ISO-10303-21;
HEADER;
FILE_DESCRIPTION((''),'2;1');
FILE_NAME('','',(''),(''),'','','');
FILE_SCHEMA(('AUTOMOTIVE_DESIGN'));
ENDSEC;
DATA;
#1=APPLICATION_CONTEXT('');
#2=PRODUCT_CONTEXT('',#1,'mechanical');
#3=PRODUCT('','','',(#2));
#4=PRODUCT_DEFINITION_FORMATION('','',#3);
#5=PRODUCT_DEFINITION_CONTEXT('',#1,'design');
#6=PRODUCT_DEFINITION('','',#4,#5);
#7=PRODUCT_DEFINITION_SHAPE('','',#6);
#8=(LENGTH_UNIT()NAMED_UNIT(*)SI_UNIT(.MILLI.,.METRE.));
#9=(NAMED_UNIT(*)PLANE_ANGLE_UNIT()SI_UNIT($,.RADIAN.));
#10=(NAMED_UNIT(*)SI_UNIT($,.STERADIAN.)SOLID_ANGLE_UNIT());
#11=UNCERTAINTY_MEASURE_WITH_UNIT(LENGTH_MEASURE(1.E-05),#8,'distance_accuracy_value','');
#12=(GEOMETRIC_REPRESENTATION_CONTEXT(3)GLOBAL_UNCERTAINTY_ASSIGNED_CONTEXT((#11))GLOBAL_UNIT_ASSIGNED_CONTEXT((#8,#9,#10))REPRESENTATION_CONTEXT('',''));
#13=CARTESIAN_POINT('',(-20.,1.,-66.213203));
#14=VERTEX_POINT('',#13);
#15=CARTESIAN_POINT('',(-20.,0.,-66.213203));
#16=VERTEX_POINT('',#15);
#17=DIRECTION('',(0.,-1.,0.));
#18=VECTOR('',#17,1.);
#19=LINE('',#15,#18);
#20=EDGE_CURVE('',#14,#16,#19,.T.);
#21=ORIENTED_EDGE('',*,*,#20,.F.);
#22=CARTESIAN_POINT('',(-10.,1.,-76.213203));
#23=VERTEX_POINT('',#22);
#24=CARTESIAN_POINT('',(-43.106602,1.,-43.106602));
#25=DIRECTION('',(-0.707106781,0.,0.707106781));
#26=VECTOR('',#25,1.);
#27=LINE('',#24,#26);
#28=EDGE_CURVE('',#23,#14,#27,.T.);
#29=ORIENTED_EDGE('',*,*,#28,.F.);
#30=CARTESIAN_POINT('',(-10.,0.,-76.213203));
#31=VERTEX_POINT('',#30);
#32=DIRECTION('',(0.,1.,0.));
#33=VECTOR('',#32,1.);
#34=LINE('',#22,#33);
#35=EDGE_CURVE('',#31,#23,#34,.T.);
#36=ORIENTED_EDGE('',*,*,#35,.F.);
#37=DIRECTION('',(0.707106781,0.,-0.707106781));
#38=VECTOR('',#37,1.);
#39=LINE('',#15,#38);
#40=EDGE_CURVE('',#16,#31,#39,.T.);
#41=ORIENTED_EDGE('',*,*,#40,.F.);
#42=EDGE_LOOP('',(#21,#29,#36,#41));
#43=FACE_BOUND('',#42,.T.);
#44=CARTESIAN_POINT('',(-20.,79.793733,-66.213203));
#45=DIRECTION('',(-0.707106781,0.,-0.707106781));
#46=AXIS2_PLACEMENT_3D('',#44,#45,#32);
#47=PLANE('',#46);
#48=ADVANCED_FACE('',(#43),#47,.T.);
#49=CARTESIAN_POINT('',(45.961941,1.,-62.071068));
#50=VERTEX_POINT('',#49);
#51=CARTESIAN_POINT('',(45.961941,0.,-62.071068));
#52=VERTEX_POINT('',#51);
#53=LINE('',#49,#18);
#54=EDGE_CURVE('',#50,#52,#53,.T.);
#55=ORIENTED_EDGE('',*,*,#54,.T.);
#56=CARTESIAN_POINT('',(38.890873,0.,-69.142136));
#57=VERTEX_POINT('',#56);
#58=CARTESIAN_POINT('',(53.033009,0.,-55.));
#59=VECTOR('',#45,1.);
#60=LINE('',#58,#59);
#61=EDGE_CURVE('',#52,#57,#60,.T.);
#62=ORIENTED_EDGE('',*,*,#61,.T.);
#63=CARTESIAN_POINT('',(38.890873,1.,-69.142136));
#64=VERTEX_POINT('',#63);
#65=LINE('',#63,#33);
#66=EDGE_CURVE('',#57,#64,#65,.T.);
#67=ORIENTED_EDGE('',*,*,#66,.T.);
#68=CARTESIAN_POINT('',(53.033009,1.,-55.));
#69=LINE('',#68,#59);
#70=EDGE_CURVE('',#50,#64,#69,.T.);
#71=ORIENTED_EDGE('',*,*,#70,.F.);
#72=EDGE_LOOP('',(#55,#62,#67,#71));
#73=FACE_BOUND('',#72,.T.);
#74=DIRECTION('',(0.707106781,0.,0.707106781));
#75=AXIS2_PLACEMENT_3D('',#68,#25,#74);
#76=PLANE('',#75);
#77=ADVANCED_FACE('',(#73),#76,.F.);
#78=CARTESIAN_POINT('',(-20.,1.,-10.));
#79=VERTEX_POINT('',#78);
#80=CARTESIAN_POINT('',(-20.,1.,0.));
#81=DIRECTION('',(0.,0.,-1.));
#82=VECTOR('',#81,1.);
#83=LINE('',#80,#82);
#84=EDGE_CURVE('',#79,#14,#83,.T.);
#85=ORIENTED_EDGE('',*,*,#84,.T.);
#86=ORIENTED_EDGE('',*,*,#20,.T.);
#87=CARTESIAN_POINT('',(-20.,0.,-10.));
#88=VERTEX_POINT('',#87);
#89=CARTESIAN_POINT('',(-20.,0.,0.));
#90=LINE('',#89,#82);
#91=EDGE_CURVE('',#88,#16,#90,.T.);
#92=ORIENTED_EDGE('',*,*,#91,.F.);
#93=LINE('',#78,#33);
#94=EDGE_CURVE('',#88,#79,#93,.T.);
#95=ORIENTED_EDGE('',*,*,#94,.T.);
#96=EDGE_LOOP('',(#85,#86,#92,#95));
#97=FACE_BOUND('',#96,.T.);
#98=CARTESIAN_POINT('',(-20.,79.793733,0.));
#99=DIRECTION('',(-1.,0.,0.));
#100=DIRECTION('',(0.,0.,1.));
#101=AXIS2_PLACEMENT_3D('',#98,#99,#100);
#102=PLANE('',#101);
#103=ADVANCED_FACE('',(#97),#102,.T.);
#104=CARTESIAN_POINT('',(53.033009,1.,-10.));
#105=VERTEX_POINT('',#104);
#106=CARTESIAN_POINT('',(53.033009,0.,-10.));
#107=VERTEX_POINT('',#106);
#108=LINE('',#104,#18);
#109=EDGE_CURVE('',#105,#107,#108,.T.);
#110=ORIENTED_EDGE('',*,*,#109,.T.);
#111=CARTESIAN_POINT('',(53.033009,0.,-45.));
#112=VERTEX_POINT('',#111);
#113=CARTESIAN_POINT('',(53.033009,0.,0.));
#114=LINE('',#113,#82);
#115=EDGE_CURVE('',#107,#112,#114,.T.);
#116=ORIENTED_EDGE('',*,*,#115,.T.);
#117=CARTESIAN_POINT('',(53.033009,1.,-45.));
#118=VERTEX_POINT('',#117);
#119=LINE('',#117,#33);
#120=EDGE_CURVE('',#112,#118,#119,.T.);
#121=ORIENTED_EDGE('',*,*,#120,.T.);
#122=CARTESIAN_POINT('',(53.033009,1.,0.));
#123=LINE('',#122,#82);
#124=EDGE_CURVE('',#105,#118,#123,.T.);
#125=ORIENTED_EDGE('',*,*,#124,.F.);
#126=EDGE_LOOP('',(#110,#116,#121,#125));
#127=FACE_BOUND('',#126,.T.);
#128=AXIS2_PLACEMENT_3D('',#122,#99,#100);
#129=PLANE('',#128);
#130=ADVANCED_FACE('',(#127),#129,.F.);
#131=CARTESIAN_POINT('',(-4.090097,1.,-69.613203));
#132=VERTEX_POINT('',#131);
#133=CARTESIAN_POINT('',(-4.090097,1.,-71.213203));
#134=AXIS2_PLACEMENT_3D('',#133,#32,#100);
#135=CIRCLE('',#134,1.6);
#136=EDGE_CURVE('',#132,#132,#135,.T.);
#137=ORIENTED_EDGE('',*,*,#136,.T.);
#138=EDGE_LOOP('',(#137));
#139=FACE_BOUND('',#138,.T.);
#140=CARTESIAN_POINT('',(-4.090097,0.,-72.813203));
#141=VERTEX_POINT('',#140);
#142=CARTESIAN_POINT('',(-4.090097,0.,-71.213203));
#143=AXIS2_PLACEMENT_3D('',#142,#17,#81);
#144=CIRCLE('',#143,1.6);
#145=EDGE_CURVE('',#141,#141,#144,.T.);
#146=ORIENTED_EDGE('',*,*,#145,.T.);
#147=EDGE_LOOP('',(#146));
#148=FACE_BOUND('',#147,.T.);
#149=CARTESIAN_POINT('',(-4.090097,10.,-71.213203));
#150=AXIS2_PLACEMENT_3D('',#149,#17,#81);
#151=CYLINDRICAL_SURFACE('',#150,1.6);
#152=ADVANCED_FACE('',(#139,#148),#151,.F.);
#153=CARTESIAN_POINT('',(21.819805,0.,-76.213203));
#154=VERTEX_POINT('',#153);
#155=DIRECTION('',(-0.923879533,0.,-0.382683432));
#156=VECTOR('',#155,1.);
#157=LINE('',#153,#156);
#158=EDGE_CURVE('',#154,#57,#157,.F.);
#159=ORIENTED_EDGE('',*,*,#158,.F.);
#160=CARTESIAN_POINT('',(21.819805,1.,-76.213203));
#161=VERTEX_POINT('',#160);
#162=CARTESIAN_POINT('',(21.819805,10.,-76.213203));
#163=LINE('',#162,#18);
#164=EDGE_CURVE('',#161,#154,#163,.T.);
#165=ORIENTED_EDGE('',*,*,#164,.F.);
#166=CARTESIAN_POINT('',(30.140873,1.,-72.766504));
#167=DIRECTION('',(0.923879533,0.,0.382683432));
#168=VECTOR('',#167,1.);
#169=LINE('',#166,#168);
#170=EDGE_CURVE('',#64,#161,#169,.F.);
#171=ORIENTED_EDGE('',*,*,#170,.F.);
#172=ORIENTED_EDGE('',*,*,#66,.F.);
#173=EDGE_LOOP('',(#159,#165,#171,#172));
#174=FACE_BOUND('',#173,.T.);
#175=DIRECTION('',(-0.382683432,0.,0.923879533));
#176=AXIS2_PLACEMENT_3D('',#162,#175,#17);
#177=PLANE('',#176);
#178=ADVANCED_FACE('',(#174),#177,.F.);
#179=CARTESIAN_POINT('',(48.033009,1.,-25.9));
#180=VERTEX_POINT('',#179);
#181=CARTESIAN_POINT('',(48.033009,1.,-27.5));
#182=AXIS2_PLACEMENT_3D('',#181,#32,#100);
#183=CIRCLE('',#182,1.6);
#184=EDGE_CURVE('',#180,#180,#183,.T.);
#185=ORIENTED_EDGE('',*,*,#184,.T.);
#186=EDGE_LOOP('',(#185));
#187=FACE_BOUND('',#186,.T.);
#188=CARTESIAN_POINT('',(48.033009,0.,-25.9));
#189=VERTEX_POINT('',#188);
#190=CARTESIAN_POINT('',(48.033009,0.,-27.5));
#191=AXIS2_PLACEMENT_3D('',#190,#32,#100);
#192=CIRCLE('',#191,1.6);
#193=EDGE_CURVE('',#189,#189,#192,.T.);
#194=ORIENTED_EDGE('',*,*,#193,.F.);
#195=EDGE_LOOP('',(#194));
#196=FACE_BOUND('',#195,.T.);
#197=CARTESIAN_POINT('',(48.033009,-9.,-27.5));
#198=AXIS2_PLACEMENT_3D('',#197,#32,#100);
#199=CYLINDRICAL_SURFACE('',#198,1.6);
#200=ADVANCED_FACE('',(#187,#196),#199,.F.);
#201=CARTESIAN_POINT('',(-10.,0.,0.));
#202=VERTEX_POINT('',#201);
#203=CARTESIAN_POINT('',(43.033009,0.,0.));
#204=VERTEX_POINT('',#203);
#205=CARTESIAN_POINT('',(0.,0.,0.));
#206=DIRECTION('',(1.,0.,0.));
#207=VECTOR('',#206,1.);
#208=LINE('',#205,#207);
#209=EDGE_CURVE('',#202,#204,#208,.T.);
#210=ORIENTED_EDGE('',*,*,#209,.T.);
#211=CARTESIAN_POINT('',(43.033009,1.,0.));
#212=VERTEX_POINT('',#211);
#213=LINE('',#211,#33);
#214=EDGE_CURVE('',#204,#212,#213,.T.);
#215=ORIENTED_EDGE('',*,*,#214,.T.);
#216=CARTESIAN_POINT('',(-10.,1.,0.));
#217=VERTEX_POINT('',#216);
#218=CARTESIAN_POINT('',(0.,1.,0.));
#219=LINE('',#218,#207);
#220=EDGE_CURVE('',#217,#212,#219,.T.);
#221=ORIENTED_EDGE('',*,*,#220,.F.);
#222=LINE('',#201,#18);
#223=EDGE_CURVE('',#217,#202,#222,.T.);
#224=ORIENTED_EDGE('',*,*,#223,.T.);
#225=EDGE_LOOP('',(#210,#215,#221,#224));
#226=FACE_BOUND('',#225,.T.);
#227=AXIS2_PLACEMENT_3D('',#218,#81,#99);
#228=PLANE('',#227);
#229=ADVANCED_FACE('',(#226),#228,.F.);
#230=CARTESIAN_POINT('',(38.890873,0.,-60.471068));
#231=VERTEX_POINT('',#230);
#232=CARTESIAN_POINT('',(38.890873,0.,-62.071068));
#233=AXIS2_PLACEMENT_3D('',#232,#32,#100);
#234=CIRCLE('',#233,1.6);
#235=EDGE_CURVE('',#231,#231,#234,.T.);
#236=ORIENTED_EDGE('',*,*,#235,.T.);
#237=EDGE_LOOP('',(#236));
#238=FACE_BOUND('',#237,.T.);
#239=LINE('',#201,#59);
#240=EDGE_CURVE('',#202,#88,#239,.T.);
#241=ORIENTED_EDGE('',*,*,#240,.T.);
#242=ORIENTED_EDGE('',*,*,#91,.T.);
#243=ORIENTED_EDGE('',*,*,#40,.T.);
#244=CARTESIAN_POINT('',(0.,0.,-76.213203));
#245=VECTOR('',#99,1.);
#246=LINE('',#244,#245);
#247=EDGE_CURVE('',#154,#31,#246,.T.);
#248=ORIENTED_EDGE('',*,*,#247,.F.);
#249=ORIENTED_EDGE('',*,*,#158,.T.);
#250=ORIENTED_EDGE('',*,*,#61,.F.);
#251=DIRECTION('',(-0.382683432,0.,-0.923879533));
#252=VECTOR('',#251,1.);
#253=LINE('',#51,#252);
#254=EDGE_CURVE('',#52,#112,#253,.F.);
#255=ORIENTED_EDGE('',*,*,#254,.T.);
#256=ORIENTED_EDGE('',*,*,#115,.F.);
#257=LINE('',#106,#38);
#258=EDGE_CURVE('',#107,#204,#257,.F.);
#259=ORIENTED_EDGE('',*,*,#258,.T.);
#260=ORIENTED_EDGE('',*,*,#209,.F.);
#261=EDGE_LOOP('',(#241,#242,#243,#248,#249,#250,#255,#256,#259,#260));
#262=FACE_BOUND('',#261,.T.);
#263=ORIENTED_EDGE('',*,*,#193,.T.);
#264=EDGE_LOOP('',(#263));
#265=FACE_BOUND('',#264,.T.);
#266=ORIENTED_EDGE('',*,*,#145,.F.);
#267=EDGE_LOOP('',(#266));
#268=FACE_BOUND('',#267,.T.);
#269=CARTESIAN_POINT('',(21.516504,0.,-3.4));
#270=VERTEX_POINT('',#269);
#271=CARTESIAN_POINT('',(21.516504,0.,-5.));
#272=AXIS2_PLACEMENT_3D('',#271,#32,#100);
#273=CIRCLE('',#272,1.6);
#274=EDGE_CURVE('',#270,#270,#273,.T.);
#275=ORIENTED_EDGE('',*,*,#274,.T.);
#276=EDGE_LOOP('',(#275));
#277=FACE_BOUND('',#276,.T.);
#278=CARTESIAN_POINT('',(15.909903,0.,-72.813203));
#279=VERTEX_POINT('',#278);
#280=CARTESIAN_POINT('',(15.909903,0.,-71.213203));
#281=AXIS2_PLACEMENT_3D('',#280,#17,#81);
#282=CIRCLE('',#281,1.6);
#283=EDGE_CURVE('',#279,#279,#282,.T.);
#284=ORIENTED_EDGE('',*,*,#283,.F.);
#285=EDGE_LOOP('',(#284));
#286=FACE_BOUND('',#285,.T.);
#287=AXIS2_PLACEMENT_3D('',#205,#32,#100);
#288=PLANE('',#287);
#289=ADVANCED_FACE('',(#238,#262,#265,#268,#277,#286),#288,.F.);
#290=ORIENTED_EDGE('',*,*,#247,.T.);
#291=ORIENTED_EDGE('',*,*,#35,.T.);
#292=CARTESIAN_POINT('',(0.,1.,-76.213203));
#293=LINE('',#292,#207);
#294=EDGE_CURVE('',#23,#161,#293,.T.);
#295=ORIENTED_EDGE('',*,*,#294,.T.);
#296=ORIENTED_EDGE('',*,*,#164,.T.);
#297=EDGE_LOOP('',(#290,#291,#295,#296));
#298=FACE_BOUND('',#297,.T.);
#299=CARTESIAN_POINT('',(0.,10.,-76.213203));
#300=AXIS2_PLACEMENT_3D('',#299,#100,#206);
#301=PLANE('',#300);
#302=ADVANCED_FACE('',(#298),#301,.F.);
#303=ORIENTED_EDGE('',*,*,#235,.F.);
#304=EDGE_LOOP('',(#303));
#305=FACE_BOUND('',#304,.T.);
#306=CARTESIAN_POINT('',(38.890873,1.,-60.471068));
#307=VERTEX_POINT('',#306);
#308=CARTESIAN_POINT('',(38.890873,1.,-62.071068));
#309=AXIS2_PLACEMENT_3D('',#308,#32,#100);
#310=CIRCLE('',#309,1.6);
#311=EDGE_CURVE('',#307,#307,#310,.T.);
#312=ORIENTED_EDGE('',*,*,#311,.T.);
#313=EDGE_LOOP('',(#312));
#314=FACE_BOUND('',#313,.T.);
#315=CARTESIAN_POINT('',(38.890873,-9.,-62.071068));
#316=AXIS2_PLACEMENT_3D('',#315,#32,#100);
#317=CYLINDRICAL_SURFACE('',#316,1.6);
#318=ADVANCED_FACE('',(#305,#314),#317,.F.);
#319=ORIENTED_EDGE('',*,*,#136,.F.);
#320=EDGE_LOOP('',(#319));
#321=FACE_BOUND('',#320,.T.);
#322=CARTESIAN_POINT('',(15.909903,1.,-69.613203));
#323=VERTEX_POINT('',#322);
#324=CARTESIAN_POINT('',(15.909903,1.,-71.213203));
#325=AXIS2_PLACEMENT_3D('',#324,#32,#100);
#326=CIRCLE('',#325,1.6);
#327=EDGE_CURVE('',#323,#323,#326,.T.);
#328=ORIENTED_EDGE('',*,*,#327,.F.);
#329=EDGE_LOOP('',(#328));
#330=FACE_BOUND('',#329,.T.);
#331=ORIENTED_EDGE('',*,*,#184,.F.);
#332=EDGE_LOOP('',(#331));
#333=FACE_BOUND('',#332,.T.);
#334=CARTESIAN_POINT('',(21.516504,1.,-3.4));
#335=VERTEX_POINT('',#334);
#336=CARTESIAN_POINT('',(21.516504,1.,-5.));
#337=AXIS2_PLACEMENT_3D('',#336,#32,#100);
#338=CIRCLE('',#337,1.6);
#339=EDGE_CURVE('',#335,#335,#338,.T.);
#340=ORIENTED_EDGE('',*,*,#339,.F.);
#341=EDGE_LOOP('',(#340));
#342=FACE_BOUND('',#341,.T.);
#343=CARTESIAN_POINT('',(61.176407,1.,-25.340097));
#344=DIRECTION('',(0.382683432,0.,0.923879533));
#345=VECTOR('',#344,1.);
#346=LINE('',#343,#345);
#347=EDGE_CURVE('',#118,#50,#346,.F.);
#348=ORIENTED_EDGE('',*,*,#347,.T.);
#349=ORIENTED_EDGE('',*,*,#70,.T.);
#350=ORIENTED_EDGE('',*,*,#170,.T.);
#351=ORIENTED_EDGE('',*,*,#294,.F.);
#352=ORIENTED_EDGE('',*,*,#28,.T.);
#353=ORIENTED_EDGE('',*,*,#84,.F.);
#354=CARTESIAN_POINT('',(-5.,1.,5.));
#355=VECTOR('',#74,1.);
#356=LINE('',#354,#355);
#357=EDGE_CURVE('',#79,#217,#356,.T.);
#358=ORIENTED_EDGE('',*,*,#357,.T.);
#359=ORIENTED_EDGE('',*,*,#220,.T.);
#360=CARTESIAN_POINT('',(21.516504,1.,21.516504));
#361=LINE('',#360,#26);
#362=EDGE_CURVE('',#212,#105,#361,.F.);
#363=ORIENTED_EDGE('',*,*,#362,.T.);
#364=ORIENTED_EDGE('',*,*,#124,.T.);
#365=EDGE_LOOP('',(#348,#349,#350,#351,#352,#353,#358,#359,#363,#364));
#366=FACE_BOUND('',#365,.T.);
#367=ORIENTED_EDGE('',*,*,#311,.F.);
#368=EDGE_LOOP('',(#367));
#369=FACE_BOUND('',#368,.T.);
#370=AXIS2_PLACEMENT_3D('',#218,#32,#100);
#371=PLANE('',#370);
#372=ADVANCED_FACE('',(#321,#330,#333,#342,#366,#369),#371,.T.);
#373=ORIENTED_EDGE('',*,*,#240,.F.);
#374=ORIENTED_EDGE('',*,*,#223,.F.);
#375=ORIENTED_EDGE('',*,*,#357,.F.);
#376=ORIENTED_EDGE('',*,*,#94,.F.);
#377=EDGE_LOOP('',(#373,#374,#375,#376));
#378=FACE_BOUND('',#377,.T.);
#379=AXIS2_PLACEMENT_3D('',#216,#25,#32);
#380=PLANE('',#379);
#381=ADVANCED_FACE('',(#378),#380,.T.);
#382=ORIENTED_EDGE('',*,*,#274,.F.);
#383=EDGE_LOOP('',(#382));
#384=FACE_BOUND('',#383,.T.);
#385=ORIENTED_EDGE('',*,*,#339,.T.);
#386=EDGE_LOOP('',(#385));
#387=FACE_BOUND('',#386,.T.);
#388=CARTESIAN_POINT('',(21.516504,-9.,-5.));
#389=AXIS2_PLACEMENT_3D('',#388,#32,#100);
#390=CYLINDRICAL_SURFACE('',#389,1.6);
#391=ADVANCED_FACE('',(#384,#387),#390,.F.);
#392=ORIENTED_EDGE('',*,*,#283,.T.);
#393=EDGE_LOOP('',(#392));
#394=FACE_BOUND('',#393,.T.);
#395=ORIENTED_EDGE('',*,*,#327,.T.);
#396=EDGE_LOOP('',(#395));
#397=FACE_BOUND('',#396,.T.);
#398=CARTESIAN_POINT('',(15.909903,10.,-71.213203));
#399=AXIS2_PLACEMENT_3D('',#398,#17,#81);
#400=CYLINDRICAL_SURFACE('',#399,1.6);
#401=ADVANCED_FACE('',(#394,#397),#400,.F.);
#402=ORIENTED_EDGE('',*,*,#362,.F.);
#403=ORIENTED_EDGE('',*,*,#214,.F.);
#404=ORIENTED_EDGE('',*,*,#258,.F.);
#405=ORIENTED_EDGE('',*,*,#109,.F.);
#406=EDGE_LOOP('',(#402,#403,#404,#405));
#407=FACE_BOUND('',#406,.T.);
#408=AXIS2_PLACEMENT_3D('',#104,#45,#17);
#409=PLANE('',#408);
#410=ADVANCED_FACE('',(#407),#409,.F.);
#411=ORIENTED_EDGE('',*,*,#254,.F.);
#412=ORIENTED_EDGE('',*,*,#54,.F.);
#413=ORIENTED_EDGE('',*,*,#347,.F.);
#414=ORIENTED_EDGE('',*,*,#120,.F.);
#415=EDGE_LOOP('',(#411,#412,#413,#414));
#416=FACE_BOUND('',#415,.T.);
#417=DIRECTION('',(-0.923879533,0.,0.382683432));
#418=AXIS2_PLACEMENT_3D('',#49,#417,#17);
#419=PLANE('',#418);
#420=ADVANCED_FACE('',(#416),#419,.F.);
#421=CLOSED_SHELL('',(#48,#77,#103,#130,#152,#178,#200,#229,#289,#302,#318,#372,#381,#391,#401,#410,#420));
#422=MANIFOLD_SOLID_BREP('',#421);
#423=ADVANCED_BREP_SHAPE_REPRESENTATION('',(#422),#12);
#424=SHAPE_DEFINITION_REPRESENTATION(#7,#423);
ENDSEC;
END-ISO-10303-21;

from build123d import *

# Parameters (mm, degrees)
EXTRUDE_1_DEPTH     = 1
SKETCH_2_W          = 31.819805153
SKETCH_2_H          = 31.819805153
CUT_EXTRUDE_1_DEPTH = 10
CHAMFER_1_SIZE      = 10
SKETCH_4_R          = 1.6
CUT_EXTRUDE_3_DEPTH = 10
SKETCH_5_W          = 20
SKETCH_5_H          = 76.213203436
EXTRUDE_2_DEPTH     = 1
CHAMFER_2_SIZE      = 10
SKETCH_6_R          = 1.6
CUT_EXTRUDE_4_DEPTH = 10


with BuildPart() as part:
    # 草图1 → 凸台-拉伸1 (new body)
    with BuildSketch(Plane(origin=(0, 0, 0), x_dir=(1, 0, 0), z_dir=(0, 1, 0))):
        Polygon((0, 0), (53.033008589, 0), (53.033008589, 55), (0, 108.033008589), align=None)
    extrude(amount=EXTRUDE_1_DEPTH)

    # 草图2 → 切除-拉伸1 (cut)
    with BuildSketch(Plane.XZ):
        with Locations((15.909902577, -92.123106013)):
            Rectangle(SKETCH_2_W, SKETCH_2_H)
    extrude(amount=-CUT_EXTRUDE_1_DEPTH, mode=Mode.SUBTRACT)

    # 倒角1
    chamfer_1_edges = [part.edges().sort_by_distance(p)[0] for p in [
        (31.819805153, 0.5, -76.213203436),
        (53.033008589, 0.5, -55),
        (53.033008589, 0.5, 0),
    ]]
    chamfer(chamfer_1_edges, length=CHAMFER_1_SIZE)

    # 草图4 → 切除-拉伸3 (cut)
    with BuildSketch(Plane(origin=(0, 1, 0), x_dir=(1, 0, 0), z_dir=(0, 1, 0))):
        with Locations(Location((38.890872965, 62.071067812, 0), (0, 0, 270))):
            Circle(SKETCH_4_R)
        with Locations(Location((48.033008589, 27.5, 0), (0, 0, 270))):
            Circle(SKETCH_4_R)
        with Locations(Location((21.516504294, 5, 0), (0, 0, 270))):
            Circle(SKETCH_4_R)
    extrude(amount=-CUT_EXTRUDE_3_DEPTH, mode=Mode.SUBTRACT)

    # 草图5 → 凸台-拉伸2 (add)
    with BuildSketch(Plane.XZ):
        with Locations((-10, -38.106601718)):
            Rectangle(SKETCH_5_W, SKETCH_5_H)
    extrude(amount=-EXTRUDE_2_DEPTH)

    # 倒角2
    chamfer_2_edges = [part.edges().sort_by_distance(p)[0] for p in [
        (-20, 0.5, 0),
        (-20, 0.5, -76.213203436),
    ]]
    chamfer(chamfer_2_edges, length=CHAMFER_2_SIZE)

    # 草图6 → 切除-拉伸4 (cut)
    with BuildSketch(Plane.XZ):
        with Locations(Location((15.909902577, -71.213203436, 0), (0, 0, 270))):
            Circle(SKETCH_6_R)
        with Locations(Location((-4.090097423, -71.213203436, 0), (0, 0, 270))):
            Circle(SKETCH_6_R)
    extrude(amount=-CUT_EXTRUDE_4_DEPTH, mode=Mode.SUBTRACT)


solid = part.part
